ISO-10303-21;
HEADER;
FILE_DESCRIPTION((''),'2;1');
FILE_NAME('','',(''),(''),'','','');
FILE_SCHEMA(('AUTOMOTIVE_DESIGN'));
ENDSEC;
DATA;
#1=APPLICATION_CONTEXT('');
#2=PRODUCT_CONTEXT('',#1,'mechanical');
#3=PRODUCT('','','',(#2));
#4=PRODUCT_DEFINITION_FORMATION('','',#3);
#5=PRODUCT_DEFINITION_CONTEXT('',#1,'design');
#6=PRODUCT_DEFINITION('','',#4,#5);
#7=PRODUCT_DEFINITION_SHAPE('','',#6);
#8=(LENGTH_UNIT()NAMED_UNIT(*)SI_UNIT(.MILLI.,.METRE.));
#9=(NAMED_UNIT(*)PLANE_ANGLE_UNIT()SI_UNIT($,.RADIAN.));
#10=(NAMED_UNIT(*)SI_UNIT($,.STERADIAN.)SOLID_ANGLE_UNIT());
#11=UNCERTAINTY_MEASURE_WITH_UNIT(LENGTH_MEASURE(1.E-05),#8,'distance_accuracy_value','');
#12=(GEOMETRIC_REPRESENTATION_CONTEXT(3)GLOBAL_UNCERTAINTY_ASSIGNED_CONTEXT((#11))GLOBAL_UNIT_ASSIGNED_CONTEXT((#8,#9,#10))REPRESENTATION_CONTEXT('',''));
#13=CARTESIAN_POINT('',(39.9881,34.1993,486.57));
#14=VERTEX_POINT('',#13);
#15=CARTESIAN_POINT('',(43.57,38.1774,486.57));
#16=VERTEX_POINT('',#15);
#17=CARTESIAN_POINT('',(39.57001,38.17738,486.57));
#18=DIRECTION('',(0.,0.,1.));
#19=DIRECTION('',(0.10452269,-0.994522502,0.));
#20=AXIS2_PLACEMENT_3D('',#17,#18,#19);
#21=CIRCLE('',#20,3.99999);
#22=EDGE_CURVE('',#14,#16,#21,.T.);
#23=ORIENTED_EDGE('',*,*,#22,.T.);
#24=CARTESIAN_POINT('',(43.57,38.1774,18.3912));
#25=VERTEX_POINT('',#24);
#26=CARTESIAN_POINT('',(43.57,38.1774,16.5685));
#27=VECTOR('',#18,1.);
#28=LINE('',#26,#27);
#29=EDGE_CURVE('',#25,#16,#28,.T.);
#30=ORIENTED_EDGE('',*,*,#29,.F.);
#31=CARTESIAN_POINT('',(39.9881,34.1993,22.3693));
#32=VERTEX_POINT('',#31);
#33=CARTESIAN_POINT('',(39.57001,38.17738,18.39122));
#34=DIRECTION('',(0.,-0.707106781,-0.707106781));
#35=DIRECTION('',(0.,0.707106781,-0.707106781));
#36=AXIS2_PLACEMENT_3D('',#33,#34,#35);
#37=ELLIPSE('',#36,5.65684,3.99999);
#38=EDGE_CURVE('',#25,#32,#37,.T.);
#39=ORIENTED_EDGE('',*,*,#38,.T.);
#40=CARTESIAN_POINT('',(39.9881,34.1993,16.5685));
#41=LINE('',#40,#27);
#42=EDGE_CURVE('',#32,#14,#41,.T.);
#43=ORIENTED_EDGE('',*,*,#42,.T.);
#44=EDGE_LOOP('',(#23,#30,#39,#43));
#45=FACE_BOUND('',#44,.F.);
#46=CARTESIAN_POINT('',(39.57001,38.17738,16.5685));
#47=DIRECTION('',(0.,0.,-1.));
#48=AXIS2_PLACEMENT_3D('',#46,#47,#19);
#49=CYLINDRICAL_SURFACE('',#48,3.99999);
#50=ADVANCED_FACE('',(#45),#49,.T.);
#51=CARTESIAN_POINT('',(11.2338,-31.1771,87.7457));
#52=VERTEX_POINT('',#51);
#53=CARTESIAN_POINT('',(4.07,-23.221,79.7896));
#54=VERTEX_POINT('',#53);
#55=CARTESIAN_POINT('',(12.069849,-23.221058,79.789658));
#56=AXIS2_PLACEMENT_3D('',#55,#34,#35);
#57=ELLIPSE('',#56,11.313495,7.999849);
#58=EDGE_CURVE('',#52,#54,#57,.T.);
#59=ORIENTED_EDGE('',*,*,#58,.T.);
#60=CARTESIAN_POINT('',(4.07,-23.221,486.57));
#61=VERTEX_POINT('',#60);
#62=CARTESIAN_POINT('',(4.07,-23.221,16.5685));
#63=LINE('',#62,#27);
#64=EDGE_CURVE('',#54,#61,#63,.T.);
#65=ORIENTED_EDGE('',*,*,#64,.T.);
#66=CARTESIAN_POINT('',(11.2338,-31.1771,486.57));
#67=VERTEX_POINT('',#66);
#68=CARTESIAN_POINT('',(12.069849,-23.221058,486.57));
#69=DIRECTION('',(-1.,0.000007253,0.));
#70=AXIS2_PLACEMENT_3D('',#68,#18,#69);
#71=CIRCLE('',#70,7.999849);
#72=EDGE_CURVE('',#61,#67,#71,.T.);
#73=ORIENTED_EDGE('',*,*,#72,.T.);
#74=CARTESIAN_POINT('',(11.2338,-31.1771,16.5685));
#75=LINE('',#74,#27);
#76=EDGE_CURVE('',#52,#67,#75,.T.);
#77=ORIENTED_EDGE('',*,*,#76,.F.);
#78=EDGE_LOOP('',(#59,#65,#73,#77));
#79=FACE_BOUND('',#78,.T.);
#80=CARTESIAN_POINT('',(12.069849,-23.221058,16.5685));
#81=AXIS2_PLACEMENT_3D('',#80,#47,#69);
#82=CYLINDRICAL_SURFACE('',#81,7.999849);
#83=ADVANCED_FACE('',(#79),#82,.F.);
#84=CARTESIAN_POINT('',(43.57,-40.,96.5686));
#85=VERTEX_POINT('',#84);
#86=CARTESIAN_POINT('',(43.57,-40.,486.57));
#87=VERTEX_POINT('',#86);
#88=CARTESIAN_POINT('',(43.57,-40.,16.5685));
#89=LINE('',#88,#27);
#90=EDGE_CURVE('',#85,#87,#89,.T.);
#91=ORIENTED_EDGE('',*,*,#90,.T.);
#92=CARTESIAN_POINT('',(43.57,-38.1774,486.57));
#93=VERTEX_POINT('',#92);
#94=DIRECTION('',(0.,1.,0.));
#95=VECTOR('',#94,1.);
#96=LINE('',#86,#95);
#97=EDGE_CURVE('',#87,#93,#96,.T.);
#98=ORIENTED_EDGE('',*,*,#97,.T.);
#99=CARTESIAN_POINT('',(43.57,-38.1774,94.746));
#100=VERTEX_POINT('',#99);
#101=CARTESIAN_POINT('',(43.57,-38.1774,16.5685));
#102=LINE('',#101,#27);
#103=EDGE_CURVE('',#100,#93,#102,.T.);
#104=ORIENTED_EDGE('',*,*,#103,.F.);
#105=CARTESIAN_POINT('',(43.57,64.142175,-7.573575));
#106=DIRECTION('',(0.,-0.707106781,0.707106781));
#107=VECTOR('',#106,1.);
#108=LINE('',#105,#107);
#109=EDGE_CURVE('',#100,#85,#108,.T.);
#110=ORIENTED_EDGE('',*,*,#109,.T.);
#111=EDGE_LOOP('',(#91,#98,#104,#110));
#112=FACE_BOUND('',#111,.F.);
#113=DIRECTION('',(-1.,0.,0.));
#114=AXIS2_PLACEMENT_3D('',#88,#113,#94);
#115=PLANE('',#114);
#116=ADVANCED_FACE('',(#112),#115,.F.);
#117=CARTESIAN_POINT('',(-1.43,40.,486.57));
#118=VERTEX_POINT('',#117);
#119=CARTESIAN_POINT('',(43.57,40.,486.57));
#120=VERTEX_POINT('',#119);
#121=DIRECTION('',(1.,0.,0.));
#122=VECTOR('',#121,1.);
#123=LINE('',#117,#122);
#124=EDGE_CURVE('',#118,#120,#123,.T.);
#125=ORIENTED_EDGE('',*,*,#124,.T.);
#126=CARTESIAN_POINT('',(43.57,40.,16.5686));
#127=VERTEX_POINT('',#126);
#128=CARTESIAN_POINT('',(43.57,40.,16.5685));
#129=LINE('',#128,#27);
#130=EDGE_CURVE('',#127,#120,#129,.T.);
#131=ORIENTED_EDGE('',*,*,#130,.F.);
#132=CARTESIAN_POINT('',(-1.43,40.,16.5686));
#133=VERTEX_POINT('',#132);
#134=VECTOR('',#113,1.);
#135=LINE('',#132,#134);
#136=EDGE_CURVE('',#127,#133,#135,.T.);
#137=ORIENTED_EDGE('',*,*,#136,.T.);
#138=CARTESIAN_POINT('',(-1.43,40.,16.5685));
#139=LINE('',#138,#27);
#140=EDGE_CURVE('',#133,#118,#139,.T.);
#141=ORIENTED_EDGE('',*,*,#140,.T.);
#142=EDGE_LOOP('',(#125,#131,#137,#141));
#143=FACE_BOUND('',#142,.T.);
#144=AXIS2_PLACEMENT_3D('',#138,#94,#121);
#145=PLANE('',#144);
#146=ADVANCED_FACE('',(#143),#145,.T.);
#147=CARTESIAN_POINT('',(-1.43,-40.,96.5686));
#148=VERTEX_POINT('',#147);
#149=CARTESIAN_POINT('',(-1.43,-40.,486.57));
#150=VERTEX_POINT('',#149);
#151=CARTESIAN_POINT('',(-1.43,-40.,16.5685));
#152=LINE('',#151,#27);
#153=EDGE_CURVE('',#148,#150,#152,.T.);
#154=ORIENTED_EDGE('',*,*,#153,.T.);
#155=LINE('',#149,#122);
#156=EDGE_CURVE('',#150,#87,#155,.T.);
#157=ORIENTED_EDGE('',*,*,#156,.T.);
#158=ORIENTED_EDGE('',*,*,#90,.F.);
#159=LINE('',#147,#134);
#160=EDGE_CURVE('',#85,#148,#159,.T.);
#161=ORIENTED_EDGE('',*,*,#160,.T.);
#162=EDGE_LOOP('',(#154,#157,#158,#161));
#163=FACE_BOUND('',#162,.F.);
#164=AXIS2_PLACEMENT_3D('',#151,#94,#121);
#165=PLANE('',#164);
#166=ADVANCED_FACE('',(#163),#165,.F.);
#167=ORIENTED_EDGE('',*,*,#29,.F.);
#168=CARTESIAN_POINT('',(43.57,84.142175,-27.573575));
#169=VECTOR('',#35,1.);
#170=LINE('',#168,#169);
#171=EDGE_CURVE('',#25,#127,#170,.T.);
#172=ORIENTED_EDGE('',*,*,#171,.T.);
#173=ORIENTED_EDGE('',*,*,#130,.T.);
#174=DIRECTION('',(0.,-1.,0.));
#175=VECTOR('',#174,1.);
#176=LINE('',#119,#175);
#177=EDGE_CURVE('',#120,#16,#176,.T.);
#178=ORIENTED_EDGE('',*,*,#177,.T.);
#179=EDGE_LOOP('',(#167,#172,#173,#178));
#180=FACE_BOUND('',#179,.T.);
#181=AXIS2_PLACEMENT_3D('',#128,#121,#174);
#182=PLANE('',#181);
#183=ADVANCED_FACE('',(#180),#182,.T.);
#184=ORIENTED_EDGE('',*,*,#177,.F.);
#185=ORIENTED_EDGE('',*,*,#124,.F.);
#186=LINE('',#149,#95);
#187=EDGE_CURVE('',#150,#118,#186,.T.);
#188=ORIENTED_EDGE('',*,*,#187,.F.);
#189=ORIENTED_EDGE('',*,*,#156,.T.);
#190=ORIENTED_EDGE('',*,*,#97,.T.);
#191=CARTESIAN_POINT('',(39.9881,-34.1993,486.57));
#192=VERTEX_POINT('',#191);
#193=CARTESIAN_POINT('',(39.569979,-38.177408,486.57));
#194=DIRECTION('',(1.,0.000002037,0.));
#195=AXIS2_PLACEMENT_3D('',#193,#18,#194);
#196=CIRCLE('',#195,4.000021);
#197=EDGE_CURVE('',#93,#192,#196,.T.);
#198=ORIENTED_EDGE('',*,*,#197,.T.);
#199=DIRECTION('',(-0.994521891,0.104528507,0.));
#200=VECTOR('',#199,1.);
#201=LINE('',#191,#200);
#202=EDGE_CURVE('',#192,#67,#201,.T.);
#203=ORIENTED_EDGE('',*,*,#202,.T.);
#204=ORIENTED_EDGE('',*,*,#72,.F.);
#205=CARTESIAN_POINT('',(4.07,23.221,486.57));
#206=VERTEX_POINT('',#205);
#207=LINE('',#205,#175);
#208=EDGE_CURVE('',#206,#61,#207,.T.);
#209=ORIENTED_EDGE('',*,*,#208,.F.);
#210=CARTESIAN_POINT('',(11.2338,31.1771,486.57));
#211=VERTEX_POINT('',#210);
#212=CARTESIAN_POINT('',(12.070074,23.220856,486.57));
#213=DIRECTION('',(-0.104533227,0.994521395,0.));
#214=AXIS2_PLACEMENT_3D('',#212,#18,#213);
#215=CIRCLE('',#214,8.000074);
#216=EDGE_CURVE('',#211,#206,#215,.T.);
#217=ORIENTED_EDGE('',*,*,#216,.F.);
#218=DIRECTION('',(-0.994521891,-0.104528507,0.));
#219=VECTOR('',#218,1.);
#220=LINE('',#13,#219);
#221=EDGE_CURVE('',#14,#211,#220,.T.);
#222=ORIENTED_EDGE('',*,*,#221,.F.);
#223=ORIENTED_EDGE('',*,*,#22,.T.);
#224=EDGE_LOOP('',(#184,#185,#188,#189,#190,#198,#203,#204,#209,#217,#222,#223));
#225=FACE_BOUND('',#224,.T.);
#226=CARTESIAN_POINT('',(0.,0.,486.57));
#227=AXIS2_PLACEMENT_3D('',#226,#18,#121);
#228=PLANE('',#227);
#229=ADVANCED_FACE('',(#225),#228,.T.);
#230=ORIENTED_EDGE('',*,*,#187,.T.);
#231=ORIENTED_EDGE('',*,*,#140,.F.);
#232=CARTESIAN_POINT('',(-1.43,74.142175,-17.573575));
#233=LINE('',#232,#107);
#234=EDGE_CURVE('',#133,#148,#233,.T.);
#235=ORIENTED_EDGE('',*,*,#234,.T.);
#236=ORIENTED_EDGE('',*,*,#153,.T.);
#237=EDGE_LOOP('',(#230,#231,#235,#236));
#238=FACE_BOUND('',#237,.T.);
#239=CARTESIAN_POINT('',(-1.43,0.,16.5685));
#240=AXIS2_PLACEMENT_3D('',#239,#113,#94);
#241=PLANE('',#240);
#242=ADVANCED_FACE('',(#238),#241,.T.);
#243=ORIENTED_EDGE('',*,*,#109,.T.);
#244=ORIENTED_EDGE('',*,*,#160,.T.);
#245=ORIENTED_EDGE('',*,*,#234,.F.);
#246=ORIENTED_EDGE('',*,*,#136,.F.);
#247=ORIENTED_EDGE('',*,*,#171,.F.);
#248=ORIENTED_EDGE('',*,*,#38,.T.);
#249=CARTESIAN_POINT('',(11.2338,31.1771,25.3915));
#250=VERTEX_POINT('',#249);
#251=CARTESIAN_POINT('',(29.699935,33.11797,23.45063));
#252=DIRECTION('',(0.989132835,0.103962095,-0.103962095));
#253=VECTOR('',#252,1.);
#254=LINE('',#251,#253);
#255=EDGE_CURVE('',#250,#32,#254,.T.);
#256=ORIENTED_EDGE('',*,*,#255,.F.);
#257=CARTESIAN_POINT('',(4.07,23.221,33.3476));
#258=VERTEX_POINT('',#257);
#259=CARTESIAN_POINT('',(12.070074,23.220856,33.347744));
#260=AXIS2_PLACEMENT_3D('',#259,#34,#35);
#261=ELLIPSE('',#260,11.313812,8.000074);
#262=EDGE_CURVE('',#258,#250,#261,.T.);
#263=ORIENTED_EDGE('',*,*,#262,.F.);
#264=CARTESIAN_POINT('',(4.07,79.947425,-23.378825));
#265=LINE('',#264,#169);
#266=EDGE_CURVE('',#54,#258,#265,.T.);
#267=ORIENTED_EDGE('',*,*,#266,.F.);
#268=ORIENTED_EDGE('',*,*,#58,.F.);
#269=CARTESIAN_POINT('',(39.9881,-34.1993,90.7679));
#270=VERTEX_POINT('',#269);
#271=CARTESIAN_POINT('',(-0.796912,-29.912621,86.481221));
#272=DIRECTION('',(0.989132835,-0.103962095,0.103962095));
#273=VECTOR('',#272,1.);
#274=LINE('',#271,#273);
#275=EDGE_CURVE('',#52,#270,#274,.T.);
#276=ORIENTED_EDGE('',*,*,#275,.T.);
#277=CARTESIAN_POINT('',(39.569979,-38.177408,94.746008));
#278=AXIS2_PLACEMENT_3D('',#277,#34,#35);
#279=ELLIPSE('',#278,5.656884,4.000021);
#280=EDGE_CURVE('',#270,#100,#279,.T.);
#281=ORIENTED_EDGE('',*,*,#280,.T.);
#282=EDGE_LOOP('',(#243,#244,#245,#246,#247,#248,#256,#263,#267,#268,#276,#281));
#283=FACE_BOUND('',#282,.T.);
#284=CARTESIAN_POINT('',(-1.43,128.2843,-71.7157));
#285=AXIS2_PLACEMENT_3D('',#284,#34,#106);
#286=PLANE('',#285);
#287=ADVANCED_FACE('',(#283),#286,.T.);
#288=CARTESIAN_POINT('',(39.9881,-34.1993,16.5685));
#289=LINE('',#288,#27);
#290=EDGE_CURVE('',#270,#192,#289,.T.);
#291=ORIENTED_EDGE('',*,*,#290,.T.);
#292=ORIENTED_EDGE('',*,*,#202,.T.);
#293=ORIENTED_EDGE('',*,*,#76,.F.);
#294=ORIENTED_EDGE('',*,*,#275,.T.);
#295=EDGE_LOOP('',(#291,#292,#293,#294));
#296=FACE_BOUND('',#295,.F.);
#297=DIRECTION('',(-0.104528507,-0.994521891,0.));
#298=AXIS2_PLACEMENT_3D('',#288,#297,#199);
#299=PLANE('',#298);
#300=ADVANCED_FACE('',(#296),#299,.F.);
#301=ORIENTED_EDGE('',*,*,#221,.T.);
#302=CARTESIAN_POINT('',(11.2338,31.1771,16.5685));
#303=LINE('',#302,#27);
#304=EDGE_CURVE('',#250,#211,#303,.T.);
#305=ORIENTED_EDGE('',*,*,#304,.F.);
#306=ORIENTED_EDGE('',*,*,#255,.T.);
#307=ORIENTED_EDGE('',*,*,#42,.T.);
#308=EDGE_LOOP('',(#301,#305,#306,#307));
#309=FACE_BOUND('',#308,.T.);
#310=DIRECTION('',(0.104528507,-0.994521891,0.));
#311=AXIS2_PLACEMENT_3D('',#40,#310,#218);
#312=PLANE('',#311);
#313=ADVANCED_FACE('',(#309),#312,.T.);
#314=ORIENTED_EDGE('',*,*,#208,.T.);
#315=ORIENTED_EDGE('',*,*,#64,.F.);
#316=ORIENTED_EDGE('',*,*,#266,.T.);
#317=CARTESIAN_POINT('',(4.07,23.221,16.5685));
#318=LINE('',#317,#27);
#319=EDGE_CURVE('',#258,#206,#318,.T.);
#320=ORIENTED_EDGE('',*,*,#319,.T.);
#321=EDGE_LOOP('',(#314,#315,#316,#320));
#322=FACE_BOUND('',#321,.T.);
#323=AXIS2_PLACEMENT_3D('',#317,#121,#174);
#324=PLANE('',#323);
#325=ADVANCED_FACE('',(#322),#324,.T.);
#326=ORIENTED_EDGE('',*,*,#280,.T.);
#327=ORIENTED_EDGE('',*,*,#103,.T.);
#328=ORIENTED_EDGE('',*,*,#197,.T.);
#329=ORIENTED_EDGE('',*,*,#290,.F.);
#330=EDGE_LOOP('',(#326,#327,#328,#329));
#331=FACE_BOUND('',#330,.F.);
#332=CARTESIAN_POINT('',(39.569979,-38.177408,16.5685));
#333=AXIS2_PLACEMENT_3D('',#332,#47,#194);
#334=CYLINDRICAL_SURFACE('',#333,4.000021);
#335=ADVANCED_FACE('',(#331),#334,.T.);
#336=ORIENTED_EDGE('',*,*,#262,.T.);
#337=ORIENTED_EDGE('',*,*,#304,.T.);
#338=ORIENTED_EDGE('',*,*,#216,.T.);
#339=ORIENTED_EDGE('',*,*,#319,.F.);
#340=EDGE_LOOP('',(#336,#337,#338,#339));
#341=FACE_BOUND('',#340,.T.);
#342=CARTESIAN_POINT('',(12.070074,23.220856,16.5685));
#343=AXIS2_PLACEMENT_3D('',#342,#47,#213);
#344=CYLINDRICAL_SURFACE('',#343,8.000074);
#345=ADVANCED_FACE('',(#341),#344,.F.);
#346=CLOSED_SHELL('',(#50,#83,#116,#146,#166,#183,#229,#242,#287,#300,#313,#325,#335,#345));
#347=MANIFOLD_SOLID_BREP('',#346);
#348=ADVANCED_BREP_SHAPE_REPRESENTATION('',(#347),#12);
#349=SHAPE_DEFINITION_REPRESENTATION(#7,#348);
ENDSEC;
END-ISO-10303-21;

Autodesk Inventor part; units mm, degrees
ref_plane "Начальная плоскость" through (0, 0, 16.5685) normal (0, 0, 1) x (1, 0, 0)
ref_plane "Конечная плоскость" through (0, 0, 486.57) normal (0, 0, 1) x (1, 0, 0)
sketch "Эскиз" plane through (0, 0, 0) normal (0, 0, 1) x (1, 0, 0)
  line L0 (-1.43, 0) -> (-1.43, 40)
  line L1 (-1.43, 40) -> (43.57, 40)
  line L2 (43.57, 40) -> (43.57, 38.1774)
  line L3 (39.9881, 34.1993) -> (11.2338, 31.1771)
  line L4 (4.07, 23.221) -> (4.07, 0)
  line L5 (4.07, 0) -> (-1.43, 0) construction
  line L6 (23.82, 40) -> (23.82, 32.5) construction
  line L7 (43.57, 34.5758) -> (43.57, 32.5) construction
  line L8 (43.57, 32.5) -> (23.82, 32.5) construction
  line L9 (0, 15) -> (0, -27) construction
  line L10 (-5.539, 0) -> (16.0067, 0) construction
  line L11 (-1.43, 0) -> (-1.43, -40)
  line L12 (-1.43, -40) -> (43.57, -40)
  line L13 (43.57, -40) -> (43.57, -38.1774)
  line L14 (39.9881, -34.1993) -> (11.2338, -31.1771)
  line L15 (4.07, -23.221) -> (4.07, 0)
  arc A0 (11.2338, 31.1771) -> (4.07, 23.221) centre (12.07, 23.221) ccw
  arc A1 (4.07, -23.221) -> (11.2338, -31.1771) centre (12.07, -23.221) ccw
  arc A2 (39.9881, 34.1993) -> (43.57, 38.1774) centre (39.57, 38.1774) ccw
  arc A3 (43.57, -38.1774) -> (39.9881, -34.1993) centre (39.57, -38.1774) ccw
  line L16 (0, 56) -> (0, -56) construction
  line L17 (-15.5135, 0) -> (54.308, 0) construction
  point P0 (4.07, 30.4242)
  point P1 (43.57, -34.5758)
  point P2 (4.07, -30.4242)
  point P3 (23.82, -40)
  point P4 (23.82, -32.5)
  dimension "d0" = 5.5
  dimension "d1" = 40
  dimension "d2" = 45
  dimension "d3" = 7.5
  dimension "d4" = 19.75
  dimension "d5" = 2.0758
  dimension "d23" = 8
  dimension "d24" = 4
  dimension "d25" = 1.43
extrude "Тело" add sketch "Эскиз" along normal up to surface (470.0015 mm away) from surface at 16.5685
sketch "Sketch3" plane through (0, 0, 0) normal (0, 0, 1) x (1, 0, 0)
  line L0 (0, 0) -> (10, 0)
ref_plane "Work Plane3" through (0, 0, 0) normal (0, -1, 0) x (1, 0, 0)
sketch "Sketch4" plane through (0, 0, 0) normal (0, -1, 0) x (1, 0, 0)
  line L0 (-2, 16.5685) -> (12, 16.5685)
  line L1 (-2, 486.57) -> (12, 486.57)
  dimension "d29" = 470.0015
ref_plane "РабПлоскость4" through (-1.43, -220, 486.57) normal (0, 0, 1) x (1, 0, 0)
split "Разделение1" plane through (-1.43, -220, 486.57) removes the side toward (0, 0, 1)
ref_plane "РабПлоскость5" through (-1.43, 128.2843, -71.7157) normal (0, -0.7071, -0.7071) x (1, 0, 0)
split "Разделение2" plane through (-1.43, 128.2843, -71.7157) removes the side toward (0, -0.7071, -0.7071)
equation "\"d0\" = G_T"
equation "\"d1\" = 0.5 * G_H"
equation "\"d2\" = G_W"
equation "\"d3\" = G_T1"
equation "\"d4\" = G_C"
equation "\"d23\" = G_IR"
equation "\"d24\" = G_ER"
equation "\"d25\" = ex"
equation "\"d6\" = G_L"
equation "\"G_W\" = 45"
equation "\"G_T\" = 5.5"
equation "\"G_T1\" = 7.5"
equation "\"G_NG\" = 0.105104"
equation "\"G_ER\" = 4"
equation "\"G_IR\" = 8"
equation "\"G_C\" = 19.75"
equation "\"G_L\" = d29"
equation "\"ex\" = 1.43"
equation "\"G_OFFSET_START\" = -16.56854"
equation "\"d26\" = -G_OFFSET_START"
equation "\"d27\" = G_OFFSET_END + B_L"
equation "\"B_L\" = 526.57"
equation "\"G_H\" = 80"
equation "\"G_OFFSET_END\" = -40"
properties part number "ISO 657/11 - CH 80 x 8 - 470" material "Сталь, мягкая"
